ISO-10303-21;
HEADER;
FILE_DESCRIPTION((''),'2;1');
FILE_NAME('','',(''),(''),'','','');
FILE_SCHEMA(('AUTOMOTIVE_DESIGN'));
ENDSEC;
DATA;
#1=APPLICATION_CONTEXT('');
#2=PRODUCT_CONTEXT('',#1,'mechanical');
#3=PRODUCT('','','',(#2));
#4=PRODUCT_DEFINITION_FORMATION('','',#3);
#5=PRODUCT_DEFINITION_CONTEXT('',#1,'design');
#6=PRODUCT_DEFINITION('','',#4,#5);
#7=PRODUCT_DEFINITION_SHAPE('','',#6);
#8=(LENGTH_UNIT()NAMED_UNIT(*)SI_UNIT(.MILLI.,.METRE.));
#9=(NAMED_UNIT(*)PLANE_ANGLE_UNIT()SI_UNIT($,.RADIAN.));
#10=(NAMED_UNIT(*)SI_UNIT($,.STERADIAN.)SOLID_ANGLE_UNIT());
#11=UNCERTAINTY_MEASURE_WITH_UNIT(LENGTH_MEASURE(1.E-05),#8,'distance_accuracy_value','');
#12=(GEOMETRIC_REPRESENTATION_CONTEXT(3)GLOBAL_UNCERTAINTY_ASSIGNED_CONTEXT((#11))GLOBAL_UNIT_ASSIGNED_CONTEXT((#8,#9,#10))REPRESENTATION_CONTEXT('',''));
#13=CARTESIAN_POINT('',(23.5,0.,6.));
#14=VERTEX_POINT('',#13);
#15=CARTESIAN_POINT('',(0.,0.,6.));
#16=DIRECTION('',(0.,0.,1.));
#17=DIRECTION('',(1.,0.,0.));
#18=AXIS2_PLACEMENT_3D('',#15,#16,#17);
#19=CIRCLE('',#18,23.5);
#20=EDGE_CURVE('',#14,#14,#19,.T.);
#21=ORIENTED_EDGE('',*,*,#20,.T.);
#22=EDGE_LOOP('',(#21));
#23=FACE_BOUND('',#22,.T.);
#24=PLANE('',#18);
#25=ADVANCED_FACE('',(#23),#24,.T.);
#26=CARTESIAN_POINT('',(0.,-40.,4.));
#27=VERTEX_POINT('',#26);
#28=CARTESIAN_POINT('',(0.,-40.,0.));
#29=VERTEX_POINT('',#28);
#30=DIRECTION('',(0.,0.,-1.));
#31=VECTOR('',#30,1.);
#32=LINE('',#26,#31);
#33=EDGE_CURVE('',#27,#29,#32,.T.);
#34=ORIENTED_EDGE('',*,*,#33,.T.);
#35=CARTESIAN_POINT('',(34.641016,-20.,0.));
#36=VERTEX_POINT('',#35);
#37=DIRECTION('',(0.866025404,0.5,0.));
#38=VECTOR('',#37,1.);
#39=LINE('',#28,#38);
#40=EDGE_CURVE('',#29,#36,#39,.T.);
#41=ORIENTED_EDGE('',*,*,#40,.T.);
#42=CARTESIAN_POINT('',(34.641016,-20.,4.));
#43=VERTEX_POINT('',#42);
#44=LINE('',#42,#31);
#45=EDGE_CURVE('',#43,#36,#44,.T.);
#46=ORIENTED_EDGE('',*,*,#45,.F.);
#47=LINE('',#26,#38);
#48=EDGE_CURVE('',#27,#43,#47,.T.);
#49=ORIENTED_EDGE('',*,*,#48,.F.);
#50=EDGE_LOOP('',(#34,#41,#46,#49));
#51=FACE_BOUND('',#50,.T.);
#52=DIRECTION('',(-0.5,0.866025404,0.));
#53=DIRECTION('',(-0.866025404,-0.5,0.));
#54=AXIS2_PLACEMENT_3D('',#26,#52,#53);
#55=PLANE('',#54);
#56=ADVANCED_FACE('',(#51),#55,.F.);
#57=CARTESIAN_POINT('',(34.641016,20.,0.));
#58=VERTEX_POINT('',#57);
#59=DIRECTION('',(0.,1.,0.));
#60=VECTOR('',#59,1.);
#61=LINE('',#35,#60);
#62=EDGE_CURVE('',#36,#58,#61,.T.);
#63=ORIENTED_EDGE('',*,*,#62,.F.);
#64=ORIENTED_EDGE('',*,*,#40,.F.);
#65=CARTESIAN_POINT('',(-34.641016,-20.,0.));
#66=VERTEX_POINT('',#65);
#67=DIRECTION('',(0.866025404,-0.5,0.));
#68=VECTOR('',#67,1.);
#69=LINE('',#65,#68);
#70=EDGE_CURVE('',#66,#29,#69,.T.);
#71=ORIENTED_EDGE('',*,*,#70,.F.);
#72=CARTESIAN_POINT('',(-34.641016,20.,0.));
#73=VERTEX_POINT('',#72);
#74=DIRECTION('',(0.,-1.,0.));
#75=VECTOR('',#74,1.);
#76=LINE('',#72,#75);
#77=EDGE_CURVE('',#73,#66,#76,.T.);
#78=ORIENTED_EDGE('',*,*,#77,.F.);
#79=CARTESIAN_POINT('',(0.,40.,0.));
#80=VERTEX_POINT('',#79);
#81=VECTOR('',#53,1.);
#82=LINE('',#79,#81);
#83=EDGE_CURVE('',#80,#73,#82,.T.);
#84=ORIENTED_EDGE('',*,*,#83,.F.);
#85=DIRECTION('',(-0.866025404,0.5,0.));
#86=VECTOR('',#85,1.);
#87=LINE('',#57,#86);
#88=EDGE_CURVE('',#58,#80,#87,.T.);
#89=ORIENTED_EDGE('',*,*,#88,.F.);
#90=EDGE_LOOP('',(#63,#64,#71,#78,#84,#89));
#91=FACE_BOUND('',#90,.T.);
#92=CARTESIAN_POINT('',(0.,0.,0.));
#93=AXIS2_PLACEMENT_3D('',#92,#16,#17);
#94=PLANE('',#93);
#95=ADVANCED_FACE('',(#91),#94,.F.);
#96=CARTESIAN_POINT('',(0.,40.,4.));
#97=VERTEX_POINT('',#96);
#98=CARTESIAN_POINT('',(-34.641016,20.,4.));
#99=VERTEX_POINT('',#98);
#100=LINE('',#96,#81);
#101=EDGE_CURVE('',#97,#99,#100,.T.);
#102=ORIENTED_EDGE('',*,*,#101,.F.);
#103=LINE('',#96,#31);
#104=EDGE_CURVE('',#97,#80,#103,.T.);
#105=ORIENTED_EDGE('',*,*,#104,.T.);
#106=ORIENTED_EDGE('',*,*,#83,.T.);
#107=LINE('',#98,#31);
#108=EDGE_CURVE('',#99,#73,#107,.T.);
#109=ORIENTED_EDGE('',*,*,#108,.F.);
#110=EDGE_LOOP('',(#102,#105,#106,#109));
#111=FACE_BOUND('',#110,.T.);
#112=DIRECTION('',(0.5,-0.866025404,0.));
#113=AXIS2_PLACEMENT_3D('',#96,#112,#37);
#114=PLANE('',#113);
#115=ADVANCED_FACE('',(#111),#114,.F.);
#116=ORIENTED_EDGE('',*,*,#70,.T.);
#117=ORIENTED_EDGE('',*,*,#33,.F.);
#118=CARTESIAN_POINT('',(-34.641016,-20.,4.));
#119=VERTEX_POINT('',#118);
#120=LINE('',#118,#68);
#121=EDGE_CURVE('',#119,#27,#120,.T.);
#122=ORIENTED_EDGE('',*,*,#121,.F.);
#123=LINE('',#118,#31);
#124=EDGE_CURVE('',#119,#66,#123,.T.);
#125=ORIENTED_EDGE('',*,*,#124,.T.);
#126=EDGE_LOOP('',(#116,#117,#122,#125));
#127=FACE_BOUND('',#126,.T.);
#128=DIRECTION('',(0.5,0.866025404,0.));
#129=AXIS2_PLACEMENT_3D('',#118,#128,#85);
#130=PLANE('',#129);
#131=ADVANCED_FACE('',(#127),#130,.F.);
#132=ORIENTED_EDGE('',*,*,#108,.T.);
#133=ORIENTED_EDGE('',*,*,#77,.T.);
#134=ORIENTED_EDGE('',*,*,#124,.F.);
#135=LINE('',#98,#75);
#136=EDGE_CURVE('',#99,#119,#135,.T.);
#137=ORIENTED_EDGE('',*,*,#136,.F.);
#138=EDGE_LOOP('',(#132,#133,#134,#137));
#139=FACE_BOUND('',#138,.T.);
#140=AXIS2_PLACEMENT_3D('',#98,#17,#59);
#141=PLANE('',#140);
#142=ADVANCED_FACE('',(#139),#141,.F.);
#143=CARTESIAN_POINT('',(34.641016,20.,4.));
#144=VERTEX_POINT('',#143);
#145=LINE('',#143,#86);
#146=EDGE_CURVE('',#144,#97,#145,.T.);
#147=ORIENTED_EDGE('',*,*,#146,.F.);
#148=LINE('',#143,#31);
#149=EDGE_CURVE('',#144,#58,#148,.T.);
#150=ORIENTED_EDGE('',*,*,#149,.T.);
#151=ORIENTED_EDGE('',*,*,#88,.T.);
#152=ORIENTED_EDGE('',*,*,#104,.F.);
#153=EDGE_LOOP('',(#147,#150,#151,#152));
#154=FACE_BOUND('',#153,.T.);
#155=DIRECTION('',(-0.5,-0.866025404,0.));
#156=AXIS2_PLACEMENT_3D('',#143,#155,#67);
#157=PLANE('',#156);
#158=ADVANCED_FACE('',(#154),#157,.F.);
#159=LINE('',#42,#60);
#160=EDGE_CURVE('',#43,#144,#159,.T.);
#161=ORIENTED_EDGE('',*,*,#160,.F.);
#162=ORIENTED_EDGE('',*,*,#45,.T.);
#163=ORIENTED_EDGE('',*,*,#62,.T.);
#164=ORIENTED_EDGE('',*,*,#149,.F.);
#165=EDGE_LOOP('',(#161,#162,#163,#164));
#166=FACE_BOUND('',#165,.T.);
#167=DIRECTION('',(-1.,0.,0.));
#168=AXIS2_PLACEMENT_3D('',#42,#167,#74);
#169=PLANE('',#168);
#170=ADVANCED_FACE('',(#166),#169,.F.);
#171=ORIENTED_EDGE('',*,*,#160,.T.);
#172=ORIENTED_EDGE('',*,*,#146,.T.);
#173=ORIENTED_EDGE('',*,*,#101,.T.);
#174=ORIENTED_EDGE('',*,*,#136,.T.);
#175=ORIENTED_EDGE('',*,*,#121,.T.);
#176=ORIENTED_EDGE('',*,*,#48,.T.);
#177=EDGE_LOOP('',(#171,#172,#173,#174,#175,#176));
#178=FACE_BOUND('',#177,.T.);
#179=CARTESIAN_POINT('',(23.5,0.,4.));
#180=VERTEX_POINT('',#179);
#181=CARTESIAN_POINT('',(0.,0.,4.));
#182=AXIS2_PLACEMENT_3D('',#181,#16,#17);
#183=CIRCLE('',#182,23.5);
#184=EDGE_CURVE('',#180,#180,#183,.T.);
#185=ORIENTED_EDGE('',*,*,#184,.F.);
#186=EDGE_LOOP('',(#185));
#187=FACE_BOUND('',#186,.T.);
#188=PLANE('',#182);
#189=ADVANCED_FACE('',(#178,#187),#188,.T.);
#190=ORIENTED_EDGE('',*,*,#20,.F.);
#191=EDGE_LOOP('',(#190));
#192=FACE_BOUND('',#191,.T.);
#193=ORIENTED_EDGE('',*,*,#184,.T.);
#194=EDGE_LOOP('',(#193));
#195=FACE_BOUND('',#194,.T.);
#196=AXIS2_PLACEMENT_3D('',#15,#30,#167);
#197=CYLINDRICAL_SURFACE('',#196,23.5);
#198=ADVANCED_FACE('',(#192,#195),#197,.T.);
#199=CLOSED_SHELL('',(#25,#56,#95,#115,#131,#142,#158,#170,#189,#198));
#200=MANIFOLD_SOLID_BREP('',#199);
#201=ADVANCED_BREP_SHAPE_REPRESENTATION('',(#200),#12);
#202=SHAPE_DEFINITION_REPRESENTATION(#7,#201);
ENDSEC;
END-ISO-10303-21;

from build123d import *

# Parameters (mm, degrees)
SKETCH1_R           = 23.5
BOSS_EXTRUDE1_DEPTH = 4
SKETCH2_R           = 23.5
BOSS_EXTRUDE2_DEPTH = 6


with BuildPart() as part:
    # Sketch1 → Boss-Extrude1 (new body)
    with BuildSketch(Plane.XY):
        Polygon((34.641016151, 20), (0, 40), (-34.641016151, 20), (-34.641016151, -20), (0, -40), (34.641016151, -20), align=None)
        Circle(SKETCH1_R, mode=Mode.SUBTRACT)
    extrude(amount=BOSS_EXTRUDE1_DEPTH)

    # Sketch2 → Boss-Extrude2 (add)
    with BuildSketch(Plane.XY):
        Circle(SKETCH2_R)
    extrude(amount=BOSS_EXTRUDE2_DEPTH)


solid = part.part
